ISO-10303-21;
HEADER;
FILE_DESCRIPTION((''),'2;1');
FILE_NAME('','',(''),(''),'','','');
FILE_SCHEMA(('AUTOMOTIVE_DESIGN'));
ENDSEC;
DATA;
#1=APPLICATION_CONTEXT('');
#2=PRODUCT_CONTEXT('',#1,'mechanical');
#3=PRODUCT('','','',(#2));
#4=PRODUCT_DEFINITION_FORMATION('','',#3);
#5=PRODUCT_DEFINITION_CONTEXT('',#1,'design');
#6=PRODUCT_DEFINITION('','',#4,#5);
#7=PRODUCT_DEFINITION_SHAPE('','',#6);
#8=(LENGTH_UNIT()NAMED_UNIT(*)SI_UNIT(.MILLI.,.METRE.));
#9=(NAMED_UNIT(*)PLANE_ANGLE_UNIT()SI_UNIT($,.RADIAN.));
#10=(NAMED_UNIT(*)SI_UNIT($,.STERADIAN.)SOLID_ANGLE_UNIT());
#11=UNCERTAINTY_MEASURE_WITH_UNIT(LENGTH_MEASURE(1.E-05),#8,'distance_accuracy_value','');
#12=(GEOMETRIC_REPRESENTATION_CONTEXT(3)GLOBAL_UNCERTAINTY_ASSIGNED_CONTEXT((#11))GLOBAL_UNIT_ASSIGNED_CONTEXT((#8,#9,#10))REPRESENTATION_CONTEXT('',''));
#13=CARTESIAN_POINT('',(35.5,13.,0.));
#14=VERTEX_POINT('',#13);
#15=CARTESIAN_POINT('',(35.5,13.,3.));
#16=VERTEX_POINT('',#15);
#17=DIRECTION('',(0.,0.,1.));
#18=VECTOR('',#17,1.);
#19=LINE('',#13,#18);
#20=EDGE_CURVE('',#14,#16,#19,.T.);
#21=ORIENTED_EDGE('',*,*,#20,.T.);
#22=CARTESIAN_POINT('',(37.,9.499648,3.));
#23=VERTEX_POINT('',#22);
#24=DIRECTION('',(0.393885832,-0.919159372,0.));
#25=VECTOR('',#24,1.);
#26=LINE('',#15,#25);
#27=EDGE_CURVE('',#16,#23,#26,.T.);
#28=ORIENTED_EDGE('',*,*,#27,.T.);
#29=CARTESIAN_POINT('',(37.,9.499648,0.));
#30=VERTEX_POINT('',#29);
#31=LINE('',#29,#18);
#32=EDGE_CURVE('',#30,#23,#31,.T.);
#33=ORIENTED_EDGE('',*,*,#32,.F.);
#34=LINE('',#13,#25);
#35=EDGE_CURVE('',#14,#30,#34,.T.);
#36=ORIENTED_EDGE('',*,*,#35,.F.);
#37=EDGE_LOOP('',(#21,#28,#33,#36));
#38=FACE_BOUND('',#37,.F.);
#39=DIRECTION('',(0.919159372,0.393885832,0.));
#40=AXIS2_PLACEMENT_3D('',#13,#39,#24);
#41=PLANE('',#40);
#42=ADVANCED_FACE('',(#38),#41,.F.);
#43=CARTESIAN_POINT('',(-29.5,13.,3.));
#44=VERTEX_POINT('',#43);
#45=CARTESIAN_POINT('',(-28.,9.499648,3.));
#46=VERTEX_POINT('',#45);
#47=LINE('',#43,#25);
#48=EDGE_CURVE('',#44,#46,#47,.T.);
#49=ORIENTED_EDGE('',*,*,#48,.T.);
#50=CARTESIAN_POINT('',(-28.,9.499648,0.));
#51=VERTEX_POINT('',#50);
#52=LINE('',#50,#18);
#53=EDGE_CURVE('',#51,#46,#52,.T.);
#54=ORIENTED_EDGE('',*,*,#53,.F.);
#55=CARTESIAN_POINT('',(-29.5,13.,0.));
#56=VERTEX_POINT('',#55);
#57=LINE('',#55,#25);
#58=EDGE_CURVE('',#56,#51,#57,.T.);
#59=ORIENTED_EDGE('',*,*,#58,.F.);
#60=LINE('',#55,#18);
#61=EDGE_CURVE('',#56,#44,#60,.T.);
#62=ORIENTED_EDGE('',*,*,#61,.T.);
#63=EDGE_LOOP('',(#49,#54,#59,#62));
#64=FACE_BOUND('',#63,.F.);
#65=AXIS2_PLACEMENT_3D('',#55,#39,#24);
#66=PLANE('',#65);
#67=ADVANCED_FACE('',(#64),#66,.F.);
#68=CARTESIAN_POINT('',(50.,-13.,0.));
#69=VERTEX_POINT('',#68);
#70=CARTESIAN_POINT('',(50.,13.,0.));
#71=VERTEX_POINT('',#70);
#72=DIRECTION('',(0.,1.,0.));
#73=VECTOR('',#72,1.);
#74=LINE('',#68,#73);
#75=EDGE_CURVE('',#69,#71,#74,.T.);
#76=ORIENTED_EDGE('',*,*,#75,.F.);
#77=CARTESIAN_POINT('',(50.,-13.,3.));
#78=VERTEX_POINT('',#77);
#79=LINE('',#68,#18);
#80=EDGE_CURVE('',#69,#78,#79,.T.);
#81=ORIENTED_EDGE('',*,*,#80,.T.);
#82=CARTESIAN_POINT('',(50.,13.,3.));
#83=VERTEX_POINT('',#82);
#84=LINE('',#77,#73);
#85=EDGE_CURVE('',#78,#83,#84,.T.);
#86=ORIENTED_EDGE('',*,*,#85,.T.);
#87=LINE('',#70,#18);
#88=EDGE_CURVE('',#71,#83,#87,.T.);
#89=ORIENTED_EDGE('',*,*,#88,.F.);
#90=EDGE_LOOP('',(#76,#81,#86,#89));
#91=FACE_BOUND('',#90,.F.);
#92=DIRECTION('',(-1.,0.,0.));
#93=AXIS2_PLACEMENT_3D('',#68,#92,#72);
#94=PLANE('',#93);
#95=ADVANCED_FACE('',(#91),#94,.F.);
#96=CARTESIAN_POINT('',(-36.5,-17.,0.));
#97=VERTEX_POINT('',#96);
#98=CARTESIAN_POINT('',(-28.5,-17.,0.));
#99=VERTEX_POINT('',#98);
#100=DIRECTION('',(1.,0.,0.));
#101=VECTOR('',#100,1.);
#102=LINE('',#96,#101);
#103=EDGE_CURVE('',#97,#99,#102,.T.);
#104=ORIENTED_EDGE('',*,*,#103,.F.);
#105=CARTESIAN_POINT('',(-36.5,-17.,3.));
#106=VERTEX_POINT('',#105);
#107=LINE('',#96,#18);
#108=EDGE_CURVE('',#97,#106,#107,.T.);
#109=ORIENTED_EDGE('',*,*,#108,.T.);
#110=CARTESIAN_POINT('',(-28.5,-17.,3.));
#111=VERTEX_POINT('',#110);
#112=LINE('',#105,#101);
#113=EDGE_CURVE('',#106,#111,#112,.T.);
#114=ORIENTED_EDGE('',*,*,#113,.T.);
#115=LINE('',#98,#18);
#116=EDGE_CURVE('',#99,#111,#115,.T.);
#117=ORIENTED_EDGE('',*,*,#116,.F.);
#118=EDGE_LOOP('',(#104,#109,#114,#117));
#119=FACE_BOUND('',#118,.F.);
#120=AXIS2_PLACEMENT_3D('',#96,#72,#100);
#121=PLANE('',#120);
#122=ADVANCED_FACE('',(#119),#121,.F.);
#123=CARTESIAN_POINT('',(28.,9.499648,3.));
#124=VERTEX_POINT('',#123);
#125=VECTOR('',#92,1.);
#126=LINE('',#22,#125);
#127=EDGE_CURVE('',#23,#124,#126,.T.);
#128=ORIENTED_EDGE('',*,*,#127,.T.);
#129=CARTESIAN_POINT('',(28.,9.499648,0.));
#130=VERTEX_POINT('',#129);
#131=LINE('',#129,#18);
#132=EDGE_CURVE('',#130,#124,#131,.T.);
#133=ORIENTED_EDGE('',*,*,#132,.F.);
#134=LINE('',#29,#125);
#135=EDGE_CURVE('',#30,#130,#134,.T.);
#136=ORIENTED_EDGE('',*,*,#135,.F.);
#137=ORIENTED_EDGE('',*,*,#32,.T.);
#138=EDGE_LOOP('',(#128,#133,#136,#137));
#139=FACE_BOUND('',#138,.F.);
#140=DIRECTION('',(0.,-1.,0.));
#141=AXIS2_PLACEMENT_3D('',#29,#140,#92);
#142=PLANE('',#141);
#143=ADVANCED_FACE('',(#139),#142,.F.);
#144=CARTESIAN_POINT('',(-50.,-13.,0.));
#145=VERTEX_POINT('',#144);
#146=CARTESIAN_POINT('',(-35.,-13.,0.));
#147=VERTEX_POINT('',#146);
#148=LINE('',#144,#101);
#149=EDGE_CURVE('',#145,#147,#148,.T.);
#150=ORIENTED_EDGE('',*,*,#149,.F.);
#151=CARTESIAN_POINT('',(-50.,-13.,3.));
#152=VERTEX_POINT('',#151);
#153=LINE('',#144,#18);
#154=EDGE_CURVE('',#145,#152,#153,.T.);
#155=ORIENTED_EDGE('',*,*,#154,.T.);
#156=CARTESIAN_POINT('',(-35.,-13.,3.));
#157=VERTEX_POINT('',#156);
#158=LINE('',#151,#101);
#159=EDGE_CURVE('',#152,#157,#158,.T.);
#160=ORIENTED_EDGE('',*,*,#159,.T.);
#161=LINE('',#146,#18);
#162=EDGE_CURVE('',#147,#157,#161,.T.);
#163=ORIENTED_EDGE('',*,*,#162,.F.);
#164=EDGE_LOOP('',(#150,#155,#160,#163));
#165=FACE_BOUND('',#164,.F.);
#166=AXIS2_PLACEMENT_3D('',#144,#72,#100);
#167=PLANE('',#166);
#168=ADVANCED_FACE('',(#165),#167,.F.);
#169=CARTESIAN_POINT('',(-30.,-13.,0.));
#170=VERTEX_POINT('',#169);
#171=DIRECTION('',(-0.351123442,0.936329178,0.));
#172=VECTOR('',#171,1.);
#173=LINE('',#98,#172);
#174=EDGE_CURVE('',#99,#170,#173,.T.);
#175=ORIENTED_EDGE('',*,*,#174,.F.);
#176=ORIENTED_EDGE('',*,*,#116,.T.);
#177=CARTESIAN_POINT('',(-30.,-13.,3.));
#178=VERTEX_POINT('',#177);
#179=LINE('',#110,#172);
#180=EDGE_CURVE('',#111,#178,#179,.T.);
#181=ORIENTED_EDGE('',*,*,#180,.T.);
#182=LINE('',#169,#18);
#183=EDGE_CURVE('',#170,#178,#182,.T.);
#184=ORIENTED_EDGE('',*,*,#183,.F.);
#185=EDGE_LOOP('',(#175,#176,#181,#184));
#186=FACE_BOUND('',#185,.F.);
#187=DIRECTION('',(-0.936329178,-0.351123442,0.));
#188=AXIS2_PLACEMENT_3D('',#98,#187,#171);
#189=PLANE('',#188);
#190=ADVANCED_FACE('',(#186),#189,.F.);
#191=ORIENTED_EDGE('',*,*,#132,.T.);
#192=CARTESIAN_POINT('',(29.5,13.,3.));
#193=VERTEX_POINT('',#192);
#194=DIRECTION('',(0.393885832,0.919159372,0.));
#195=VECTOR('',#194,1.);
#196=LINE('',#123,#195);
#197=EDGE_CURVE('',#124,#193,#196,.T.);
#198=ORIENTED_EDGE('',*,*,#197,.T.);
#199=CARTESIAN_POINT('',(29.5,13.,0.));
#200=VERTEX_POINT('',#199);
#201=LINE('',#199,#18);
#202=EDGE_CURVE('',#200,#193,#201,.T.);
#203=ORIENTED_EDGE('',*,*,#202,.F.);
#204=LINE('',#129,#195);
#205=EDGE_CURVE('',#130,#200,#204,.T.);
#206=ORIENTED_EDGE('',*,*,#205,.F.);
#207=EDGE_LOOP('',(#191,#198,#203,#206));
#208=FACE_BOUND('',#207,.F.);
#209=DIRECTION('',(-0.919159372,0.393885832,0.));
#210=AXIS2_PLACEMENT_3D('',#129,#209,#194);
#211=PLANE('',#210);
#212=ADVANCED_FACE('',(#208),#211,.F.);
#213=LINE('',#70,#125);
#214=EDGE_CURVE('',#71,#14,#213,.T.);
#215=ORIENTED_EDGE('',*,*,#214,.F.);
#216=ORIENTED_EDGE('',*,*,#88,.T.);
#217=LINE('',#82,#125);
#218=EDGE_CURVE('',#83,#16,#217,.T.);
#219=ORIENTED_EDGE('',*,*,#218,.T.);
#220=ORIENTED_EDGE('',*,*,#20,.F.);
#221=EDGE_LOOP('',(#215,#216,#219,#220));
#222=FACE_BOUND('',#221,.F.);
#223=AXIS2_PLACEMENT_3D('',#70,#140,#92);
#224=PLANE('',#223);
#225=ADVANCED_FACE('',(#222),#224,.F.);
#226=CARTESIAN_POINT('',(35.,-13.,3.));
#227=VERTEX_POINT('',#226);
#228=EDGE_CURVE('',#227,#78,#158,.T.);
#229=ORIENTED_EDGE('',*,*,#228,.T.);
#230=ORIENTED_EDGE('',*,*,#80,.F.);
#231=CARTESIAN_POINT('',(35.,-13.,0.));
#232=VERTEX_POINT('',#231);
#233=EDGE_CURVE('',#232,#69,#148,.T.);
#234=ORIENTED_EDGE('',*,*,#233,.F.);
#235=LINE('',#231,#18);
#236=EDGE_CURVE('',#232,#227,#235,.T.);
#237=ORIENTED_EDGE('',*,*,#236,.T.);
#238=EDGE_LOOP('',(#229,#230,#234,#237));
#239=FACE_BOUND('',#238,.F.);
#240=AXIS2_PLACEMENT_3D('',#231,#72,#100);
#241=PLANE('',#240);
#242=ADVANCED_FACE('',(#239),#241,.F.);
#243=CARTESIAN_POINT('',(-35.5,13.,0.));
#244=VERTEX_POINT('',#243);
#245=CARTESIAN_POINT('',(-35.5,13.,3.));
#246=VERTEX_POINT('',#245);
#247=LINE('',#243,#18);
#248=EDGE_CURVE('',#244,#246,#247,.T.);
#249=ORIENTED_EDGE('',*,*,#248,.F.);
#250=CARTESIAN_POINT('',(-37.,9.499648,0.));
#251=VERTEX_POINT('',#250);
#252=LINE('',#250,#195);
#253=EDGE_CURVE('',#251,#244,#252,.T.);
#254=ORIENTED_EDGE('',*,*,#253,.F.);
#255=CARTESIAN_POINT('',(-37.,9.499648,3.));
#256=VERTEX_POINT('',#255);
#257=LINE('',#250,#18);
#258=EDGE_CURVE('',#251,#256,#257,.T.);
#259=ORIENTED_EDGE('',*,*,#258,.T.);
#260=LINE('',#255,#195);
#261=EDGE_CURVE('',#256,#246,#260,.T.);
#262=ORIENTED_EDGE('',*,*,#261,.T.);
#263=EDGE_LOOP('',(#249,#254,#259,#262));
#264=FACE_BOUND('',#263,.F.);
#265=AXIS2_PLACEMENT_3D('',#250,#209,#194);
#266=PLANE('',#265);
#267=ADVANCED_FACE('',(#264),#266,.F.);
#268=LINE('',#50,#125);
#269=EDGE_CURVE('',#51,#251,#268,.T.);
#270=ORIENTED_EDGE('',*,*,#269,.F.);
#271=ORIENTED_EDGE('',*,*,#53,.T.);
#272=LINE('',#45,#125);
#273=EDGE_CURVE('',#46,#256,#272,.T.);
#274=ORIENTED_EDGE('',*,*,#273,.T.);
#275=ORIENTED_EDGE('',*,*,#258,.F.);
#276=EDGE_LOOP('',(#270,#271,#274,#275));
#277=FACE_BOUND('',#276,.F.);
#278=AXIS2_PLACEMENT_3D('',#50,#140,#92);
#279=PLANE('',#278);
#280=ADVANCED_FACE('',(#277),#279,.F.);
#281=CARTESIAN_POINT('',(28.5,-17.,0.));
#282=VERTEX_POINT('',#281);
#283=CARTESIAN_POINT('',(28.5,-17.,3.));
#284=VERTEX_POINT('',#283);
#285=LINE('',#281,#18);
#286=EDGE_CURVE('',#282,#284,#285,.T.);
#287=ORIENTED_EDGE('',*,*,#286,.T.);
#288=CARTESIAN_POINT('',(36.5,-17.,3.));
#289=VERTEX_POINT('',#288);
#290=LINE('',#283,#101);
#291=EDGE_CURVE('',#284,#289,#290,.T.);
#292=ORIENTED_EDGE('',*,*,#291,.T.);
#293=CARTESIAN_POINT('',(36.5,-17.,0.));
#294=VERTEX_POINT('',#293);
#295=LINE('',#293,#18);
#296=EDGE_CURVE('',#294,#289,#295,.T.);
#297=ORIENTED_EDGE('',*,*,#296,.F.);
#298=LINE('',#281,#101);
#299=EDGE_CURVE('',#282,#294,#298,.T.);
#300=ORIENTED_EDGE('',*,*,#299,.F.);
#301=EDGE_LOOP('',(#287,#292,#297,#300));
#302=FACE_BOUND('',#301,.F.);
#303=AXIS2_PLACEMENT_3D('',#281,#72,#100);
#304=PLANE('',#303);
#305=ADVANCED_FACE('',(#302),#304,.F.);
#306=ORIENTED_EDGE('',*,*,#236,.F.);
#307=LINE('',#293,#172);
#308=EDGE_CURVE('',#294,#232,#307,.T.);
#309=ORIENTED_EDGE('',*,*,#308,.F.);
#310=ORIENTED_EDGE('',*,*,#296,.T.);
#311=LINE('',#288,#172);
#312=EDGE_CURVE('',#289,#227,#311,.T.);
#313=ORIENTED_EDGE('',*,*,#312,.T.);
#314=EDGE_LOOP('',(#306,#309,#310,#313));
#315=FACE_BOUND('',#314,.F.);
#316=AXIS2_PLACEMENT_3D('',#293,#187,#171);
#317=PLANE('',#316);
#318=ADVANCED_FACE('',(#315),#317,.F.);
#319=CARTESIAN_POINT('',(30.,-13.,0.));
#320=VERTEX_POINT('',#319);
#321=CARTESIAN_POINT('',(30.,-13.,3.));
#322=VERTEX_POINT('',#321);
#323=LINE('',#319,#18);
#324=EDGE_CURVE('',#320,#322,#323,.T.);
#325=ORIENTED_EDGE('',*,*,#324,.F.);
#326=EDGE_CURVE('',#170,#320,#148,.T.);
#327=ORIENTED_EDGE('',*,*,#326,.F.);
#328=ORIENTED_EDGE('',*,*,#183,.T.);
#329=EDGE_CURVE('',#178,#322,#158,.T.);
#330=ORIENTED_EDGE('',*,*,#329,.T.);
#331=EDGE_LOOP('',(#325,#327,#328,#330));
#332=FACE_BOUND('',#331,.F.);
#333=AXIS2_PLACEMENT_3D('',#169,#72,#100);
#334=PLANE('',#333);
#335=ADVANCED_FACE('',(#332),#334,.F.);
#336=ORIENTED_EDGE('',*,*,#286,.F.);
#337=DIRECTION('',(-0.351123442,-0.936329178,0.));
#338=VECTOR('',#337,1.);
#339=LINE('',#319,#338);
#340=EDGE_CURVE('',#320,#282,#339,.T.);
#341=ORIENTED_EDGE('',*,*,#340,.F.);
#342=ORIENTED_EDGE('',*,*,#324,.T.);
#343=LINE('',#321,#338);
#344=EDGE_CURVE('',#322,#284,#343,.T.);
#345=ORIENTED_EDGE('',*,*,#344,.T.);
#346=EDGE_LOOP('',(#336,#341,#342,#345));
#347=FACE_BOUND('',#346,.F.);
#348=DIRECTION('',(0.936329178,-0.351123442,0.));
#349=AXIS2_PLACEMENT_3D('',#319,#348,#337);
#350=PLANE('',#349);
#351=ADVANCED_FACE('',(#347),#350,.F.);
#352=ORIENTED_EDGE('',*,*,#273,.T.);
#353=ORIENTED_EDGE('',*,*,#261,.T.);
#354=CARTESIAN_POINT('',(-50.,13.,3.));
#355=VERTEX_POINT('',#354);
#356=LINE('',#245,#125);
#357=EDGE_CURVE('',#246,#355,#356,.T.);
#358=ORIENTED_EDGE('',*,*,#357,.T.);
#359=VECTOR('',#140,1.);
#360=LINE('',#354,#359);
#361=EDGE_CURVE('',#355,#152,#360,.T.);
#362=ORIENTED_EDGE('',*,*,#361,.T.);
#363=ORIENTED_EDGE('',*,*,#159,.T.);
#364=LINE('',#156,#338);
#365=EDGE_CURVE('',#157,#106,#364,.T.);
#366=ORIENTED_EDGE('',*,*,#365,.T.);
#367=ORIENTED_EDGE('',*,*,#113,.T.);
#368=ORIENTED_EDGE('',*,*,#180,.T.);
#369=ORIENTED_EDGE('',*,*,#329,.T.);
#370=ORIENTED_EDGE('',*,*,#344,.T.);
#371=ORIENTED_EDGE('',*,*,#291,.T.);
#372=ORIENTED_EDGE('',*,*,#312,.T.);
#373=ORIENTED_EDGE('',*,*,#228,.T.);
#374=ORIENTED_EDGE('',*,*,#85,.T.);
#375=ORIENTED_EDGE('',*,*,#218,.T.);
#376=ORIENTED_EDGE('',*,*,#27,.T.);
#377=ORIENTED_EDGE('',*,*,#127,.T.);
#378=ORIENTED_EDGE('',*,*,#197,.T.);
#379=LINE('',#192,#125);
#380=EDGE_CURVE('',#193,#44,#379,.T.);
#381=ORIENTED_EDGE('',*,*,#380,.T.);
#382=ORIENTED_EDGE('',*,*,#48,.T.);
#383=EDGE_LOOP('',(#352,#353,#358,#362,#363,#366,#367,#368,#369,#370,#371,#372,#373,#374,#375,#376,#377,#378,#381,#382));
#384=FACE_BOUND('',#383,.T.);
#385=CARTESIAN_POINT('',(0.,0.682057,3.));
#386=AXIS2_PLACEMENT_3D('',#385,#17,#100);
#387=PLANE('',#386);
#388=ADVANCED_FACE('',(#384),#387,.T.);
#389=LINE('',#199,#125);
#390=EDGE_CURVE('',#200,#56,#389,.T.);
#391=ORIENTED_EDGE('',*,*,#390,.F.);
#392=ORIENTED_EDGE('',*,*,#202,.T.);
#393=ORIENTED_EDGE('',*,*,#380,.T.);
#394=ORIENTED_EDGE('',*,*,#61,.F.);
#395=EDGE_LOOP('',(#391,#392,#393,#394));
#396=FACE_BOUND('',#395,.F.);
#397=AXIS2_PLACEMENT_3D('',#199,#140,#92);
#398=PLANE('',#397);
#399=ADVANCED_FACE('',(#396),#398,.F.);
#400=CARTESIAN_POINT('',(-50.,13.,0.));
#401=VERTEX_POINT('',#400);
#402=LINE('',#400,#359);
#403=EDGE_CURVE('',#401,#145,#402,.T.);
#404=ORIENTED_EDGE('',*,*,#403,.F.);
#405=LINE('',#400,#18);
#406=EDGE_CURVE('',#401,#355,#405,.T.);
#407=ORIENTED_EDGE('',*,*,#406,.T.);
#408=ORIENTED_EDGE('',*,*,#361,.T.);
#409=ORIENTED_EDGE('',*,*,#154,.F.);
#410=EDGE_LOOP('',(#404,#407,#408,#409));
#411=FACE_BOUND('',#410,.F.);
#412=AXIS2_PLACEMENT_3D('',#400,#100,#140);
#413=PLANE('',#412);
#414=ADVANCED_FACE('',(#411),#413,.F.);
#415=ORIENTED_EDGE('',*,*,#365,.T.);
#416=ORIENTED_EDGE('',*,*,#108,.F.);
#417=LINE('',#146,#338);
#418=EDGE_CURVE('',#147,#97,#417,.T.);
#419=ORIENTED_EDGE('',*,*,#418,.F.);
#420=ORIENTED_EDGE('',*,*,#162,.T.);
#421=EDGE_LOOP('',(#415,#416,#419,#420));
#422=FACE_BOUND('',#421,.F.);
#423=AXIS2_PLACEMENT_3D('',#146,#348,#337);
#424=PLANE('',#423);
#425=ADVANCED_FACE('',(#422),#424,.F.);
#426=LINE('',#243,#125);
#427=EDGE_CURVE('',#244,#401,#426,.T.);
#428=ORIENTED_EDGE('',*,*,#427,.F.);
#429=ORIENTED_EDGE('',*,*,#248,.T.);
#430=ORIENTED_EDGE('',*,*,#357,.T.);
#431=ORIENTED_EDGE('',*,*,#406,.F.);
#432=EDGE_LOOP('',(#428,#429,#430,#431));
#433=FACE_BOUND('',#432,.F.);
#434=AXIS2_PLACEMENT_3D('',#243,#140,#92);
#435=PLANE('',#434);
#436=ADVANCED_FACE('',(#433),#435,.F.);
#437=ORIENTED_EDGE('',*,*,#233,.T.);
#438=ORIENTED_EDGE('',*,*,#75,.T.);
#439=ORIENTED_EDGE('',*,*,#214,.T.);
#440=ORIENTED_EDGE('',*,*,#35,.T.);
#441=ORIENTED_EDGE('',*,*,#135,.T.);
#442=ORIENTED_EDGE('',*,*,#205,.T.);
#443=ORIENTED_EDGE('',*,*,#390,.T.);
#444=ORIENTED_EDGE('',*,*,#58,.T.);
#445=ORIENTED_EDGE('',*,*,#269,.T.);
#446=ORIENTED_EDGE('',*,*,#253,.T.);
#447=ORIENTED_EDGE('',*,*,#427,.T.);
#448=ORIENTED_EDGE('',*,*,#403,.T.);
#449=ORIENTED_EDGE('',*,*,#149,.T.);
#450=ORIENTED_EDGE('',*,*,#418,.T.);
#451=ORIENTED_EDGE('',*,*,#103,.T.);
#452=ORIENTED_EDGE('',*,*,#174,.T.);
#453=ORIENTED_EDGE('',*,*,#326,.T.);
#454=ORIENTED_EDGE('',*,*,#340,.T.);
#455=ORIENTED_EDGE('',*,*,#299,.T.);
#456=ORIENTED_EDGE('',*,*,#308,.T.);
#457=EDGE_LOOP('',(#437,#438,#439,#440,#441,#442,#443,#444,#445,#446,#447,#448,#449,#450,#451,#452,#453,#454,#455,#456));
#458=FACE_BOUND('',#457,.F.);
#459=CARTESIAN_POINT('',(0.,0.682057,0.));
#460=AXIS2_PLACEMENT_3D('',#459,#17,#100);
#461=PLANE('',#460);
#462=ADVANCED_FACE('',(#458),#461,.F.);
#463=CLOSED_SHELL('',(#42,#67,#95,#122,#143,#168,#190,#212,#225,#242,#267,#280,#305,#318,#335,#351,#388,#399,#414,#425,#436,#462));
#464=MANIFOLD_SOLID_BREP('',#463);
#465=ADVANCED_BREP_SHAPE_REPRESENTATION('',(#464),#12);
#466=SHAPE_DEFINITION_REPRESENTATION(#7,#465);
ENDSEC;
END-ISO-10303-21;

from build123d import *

# Parameters (mm, degrees)
F1_DEPTH = 3


with BuildPart() as f1:
    # F0 (on Top) → F1 (new body)
    with BuildSketch(Plane.XY):
        Polygon((35, -13), (50, -13), (50, 13), (35.5, 13), (37, 9.499648), (28, 9.499648), (29.5, 13), (-29.5, 13), (-28, 9.499648), (-37, 9.499648), (-35.5, 13), (-50, 13), (-50, -13), (-35, -13), (-30, -13), (30, -13), align=None)
        Polygon((-28.5, -17), (-30, -13), (-35, -13), (-36.5, -17), align=None)
        Polygon((36.5, -17), (35, -13), (30, -13), (28.5, -17), align=None)
    extrude(amount=F1_DEPTH)


solid = f1.part
